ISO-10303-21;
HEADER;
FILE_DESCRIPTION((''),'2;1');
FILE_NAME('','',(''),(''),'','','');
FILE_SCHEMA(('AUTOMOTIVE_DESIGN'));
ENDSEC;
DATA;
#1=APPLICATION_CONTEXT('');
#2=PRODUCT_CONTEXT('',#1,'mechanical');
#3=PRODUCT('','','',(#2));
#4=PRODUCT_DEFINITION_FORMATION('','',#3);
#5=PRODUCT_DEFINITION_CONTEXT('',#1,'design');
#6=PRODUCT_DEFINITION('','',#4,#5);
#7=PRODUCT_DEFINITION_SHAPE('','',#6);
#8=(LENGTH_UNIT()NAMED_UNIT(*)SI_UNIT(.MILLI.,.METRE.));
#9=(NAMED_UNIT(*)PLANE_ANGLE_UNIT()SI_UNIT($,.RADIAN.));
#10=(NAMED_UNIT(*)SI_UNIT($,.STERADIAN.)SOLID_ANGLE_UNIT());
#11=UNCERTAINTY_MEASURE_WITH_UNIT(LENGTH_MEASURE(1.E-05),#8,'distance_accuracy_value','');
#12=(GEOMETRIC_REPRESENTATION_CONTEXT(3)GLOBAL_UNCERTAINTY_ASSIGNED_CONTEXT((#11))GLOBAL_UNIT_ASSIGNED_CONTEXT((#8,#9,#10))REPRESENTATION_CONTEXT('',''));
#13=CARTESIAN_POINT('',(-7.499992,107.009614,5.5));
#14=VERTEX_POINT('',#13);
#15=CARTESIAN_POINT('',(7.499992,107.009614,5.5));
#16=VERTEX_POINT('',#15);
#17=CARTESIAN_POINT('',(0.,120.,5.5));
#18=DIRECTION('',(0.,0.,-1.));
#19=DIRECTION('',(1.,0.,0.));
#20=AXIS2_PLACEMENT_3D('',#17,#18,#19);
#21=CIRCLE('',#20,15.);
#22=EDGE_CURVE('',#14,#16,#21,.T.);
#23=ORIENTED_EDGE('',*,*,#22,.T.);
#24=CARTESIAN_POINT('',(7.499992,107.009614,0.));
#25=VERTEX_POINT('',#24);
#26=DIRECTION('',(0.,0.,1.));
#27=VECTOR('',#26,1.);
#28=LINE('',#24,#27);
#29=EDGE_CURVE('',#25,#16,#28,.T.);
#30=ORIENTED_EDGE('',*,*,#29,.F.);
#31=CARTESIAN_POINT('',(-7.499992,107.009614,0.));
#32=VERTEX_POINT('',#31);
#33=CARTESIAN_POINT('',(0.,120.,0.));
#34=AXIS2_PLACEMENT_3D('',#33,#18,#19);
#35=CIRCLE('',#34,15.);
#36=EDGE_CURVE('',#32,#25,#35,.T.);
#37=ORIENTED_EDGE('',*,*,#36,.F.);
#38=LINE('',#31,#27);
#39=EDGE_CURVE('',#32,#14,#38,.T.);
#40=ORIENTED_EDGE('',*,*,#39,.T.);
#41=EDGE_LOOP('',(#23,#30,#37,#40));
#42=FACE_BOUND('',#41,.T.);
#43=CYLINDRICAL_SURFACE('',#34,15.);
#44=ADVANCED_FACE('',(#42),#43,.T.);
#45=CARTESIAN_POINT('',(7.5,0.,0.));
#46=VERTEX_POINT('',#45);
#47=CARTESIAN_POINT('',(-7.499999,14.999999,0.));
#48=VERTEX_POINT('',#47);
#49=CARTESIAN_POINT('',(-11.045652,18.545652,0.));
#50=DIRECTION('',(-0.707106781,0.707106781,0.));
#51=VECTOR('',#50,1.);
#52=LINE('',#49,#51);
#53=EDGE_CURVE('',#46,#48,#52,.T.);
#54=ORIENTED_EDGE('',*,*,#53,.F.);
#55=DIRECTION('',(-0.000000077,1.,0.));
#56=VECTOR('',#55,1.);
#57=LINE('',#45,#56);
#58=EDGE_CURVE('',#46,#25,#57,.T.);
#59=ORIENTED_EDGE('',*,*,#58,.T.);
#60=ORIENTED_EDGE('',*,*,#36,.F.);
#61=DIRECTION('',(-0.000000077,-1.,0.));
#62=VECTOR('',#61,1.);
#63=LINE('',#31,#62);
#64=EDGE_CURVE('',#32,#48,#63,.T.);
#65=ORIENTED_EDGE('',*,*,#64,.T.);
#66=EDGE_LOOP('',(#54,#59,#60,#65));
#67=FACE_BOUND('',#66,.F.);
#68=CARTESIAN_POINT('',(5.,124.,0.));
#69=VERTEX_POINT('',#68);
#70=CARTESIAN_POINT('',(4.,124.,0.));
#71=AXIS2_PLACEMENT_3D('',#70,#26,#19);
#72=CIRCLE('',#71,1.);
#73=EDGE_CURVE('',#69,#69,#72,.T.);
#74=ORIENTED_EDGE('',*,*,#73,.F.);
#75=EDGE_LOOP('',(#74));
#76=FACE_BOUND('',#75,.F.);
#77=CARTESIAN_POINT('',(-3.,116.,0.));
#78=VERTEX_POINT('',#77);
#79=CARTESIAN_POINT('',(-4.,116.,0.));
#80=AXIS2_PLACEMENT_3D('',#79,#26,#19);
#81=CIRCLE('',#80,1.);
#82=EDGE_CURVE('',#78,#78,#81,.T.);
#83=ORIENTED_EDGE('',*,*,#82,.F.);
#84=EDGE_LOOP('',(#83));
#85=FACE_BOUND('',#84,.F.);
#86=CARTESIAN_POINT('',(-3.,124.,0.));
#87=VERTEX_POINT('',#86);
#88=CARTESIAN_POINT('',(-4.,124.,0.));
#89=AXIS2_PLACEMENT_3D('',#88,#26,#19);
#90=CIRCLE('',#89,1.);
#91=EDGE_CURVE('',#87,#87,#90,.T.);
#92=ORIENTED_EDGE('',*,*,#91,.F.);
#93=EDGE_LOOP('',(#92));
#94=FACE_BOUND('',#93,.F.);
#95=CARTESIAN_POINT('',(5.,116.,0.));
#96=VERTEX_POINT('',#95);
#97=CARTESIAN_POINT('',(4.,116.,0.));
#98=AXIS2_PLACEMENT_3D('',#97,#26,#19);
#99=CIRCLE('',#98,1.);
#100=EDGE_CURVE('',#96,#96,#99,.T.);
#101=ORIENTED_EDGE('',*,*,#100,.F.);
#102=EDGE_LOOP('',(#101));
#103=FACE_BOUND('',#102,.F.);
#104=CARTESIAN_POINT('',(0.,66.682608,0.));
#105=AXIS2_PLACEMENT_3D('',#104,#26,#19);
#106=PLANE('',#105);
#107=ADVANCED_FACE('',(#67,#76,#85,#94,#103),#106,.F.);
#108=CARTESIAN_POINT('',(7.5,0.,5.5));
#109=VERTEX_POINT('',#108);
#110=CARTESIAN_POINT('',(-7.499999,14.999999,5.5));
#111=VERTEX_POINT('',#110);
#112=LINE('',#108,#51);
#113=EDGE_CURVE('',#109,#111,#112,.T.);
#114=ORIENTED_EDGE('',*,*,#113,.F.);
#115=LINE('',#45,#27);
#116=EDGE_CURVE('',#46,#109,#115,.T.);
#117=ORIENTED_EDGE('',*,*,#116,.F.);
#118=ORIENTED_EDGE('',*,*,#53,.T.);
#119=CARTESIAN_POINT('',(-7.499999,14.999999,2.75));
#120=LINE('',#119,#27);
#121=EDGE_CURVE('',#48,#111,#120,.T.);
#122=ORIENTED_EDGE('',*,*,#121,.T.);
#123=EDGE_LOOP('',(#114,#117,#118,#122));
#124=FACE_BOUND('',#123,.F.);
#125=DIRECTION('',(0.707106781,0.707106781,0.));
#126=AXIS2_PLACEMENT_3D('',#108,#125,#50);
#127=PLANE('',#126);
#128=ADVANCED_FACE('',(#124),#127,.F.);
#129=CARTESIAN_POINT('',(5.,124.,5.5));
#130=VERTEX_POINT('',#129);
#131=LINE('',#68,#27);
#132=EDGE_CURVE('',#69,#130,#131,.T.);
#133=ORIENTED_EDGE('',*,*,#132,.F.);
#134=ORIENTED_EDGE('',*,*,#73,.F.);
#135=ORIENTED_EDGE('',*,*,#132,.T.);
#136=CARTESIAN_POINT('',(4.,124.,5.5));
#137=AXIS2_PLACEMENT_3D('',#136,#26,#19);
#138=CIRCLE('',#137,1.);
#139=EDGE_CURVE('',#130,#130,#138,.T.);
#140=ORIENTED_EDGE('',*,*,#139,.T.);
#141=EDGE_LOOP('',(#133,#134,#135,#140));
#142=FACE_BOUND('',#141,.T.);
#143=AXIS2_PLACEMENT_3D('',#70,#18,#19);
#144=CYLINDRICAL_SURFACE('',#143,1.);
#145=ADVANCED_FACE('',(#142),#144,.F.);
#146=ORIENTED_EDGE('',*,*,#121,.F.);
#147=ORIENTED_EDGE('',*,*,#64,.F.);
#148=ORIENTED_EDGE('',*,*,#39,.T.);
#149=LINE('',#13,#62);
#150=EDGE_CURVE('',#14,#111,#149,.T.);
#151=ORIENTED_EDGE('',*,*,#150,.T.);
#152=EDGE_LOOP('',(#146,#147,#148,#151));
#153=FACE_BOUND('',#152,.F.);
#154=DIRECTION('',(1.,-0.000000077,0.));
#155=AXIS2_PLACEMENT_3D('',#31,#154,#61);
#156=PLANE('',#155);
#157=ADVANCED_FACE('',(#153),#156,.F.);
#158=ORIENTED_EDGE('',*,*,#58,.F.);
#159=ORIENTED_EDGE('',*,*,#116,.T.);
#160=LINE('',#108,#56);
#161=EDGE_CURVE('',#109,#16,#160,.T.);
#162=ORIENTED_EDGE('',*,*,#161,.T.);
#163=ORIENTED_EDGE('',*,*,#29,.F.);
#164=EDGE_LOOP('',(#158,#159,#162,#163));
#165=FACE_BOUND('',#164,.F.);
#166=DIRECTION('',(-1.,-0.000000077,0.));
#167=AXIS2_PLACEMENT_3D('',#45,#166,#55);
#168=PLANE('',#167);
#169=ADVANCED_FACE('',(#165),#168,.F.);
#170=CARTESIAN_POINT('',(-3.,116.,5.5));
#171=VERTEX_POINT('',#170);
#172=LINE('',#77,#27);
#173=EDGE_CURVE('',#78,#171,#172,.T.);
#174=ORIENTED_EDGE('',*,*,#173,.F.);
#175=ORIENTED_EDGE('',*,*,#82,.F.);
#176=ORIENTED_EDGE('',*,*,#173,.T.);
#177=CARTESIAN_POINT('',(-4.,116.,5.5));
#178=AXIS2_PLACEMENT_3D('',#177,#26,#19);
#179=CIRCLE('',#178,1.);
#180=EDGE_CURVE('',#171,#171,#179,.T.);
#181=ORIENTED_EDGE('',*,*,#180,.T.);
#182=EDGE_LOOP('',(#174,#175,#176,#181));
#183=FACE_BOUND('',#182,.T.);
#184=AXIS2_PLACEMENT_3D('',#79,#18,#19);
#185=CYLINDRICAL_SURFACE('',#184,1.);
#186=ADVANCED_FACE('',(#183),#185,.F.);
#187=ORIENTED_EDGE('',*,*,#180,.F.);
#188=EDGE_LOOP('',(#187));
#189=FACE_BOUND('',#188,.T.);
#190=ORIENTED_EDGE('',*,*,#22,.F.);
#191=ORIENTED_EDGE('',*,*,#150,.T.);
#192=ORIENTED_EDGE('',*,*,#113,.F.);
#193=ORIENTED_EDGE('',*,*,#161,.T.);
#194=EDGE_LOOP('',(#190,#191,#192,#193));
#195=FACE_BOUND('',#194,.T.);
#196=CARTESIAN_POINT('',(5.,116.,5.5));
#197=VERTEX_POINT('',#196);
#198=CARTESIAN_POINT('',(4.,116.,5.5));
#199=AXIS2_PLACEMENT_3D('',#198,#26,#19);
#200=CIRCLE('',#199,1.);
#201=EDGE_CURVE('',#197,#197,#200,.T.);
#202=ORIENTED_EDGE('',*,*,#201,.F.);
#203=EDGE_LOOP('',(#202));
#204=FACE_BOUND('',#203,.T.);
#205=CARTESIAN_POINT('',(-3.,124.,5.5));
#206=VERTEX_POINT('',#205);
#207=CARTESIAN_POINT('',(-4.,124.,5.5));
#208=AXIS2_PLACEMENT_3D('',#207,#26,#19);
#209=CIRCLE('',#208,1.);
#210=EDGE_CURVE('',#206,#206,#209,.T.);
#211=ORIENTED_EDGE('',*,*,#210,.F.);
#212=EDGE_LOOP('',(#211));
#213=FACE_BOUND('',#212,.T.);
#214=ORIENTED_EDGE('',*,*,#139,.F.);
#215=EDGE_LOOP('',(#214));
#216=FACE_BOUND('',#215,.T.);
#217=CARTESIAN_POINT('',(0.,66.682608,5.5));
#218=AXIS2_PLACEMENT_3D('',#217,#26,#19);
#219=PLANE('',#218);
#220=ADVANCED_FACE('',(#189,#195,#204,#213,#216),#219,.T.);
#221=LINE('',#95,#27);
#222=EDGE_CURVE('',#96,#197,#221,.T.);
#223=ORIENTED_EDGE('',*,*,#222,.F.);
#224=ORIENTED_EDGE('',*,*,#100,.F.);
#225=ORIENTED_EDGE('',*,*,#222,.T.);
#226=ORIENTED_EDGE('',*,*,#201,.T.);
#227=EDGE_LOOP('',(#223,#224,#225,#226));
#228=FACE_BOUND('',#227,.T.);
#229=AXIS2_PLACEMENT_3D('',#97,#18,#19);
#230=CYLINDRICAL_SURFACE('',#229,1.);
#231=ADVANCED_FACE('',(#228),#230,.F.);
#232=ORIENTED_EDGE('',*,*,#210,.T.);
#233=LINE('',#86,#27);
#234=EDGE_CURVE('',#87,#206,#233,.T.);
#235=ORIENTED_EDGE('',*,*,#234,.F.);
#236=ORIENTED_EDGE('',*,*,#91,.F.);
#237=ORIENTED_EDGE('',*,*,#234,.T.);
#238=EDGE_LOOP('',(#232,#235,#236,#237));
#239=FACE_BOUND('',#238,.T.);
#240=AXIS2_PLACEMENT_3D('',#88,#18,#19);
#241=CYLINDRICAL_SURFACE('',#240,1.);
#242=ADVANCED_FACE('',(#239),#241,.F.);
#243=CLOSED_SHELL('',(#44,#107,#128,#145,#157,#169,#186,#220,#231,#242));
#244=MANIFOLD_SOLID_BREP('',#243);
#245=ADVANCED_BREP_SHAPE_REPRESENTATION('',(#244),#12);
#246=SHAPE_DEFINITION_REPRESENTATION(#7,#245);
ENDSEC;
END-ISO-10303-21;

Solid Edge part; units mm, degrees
sketch "Sketch1" plane through (0, 0, 0) normal (0, 0, 1) x (1, 0, 0)
  circle A0 centre (-4, 116) radius 1
  circle A1 centre (4, 124) radius 1
  line L0 (7.5, 0) -> (7.5, 107.0096)
  line L1 (-7.5, 0) -> (7.5, 0)
  line L2 (-7.5, 107.0096) -> (-7.5, 0)
  arc A2 (-7.5, 107.0096) -> (7.5, 107.0096) centre (0, 120) cw
  circle A3 centre (4, 116) radius 1
  circle A4 centre (-4, 124) radius 1
extrude "Protrusion1" add sketch "Sketch1" along normal blind 5.5
sketch "Sketch2" plane through (0, 70, 5.5) normal (0, 0, 1) x (0, -1, 0)
  line L0 (70, -7.5) -> (70, 7.5)
  line L1 (70, 7.5) -> (55, -7.5)
  line L2 (55, -7.5) -> (70, -7.5)
extrude "Cutout1" cut sketch "Sketch2" against normal through all
